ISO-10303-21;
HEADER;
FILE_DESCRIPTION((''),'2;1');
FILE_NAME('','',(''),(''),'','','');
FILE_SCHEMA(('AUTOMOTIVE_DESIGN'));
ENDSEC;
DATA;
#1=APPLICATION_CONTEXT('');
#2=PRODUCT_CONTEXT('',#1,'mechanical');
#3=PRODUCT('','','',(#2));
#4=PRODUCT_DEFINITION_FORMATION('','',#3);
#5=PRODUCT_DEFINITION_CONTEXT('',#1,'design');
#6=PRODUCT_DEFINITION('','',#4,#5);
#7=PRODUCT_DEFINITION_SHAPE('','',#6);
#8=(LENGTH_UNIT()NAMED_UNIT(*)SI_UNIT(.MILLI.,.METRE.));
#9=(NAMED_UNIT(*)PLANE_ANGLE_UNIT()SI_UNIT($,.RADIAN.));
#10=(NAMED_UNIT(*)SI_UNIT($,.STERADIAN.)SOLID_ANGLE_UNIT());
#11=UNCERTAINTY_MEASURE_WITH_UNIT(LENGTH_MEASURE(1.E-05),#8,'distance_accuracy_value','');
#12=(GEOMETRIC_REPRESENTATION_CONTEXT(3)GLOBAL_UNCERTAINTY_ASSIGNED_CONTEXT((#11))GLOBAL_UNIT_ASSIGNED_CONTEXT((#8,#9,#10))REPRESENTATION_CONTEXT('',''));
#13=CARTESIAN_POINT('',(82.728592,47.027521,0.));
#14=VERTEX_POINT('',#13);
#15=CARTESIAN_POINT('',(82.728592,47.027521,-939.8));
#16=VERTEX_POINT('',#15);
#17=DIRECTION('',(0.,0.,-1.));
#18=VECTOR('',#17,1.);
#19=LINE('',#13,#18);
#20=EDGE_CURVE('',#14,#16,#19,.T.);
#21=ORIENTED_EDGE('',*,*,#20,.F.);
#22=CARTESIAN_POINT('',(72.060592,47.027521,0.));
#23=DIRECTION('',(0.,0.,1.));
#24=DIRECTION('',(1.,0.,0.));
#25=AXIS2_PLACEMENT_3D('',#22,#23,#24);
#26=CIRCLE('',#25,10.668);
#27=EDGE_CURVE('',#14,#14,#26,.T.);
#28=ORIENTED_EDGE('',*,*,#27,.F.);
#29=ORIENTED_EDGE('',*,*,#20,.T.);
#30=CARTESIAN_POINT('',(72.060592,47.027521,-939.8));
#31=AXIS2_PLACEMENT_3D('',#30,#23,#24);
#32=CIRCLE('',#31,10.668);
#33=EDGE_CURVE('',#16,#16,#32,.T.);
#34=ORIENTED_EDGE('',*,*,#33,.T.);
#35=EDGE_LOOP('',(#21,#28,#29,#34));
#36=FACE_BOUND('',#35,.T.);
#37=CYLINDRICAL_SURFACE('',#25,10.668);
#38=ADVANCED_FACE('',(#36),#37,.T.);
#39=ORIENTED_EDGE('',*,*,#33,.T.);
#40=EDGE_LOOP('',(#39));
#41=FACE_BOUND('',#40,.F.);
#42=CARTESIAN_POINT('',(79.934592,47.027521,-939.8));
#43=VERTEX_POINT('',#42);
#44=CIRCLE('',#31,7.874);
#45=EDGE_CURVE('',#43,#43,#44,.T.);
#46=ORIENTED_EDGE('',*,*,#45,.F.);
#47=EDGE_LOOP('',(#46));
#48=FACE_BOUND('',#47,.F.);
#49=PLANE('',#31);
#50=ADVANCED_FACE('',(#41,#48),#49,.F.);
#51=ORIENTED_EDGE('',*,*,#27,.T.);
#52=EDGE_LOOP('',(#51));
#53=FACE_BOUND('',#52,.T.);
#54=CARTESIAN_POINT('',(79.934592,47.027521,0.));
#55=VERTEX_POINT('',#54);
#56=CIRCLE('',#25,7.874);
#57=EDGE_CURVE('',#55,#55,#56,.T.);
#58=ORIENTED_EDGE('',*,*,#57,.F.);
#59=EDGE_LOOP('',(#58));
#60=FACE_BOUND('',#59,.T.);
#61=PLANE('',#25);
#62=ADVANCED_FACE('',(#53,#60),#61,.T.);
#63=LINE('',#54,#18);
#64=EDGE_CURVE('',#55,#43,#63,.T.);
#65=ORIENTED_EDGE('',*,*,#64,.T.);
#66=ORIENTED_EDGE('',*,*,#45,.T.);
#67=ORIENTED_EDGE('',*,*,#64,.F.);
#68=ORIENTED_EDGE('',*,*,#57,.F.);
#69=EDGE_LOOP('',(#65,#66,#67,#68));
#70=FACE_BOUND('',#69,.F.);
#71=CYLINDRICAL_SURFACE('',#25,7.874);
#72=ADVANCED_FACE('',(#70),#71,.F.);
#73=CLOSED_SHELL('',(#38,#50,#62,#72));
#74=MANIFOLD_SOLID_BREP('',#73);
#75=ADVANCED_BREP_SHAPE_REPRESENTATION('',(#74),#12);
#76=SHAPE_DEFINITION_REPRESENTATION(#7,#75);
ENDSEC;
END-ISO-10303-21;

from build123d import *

# Parameters (mm, degrees)
F1_R     = 10.668
F1_R_2   = 7.874
F2_DEPTH = 939.8


with BuildPart() as f2:
    # F1 (on face) → F2 (new body)
    with BuildSketch(Plane.XY):
        with Locations((72.060592, 47.027521)):
            Circle(F1_R)
        with Locations((72.060592, 47.027521)):
            Circle(F1_R_2, mode=Mode.SUBTRACT)
    extrude(amount=-F2_DEPTH)


solid = f2.part
